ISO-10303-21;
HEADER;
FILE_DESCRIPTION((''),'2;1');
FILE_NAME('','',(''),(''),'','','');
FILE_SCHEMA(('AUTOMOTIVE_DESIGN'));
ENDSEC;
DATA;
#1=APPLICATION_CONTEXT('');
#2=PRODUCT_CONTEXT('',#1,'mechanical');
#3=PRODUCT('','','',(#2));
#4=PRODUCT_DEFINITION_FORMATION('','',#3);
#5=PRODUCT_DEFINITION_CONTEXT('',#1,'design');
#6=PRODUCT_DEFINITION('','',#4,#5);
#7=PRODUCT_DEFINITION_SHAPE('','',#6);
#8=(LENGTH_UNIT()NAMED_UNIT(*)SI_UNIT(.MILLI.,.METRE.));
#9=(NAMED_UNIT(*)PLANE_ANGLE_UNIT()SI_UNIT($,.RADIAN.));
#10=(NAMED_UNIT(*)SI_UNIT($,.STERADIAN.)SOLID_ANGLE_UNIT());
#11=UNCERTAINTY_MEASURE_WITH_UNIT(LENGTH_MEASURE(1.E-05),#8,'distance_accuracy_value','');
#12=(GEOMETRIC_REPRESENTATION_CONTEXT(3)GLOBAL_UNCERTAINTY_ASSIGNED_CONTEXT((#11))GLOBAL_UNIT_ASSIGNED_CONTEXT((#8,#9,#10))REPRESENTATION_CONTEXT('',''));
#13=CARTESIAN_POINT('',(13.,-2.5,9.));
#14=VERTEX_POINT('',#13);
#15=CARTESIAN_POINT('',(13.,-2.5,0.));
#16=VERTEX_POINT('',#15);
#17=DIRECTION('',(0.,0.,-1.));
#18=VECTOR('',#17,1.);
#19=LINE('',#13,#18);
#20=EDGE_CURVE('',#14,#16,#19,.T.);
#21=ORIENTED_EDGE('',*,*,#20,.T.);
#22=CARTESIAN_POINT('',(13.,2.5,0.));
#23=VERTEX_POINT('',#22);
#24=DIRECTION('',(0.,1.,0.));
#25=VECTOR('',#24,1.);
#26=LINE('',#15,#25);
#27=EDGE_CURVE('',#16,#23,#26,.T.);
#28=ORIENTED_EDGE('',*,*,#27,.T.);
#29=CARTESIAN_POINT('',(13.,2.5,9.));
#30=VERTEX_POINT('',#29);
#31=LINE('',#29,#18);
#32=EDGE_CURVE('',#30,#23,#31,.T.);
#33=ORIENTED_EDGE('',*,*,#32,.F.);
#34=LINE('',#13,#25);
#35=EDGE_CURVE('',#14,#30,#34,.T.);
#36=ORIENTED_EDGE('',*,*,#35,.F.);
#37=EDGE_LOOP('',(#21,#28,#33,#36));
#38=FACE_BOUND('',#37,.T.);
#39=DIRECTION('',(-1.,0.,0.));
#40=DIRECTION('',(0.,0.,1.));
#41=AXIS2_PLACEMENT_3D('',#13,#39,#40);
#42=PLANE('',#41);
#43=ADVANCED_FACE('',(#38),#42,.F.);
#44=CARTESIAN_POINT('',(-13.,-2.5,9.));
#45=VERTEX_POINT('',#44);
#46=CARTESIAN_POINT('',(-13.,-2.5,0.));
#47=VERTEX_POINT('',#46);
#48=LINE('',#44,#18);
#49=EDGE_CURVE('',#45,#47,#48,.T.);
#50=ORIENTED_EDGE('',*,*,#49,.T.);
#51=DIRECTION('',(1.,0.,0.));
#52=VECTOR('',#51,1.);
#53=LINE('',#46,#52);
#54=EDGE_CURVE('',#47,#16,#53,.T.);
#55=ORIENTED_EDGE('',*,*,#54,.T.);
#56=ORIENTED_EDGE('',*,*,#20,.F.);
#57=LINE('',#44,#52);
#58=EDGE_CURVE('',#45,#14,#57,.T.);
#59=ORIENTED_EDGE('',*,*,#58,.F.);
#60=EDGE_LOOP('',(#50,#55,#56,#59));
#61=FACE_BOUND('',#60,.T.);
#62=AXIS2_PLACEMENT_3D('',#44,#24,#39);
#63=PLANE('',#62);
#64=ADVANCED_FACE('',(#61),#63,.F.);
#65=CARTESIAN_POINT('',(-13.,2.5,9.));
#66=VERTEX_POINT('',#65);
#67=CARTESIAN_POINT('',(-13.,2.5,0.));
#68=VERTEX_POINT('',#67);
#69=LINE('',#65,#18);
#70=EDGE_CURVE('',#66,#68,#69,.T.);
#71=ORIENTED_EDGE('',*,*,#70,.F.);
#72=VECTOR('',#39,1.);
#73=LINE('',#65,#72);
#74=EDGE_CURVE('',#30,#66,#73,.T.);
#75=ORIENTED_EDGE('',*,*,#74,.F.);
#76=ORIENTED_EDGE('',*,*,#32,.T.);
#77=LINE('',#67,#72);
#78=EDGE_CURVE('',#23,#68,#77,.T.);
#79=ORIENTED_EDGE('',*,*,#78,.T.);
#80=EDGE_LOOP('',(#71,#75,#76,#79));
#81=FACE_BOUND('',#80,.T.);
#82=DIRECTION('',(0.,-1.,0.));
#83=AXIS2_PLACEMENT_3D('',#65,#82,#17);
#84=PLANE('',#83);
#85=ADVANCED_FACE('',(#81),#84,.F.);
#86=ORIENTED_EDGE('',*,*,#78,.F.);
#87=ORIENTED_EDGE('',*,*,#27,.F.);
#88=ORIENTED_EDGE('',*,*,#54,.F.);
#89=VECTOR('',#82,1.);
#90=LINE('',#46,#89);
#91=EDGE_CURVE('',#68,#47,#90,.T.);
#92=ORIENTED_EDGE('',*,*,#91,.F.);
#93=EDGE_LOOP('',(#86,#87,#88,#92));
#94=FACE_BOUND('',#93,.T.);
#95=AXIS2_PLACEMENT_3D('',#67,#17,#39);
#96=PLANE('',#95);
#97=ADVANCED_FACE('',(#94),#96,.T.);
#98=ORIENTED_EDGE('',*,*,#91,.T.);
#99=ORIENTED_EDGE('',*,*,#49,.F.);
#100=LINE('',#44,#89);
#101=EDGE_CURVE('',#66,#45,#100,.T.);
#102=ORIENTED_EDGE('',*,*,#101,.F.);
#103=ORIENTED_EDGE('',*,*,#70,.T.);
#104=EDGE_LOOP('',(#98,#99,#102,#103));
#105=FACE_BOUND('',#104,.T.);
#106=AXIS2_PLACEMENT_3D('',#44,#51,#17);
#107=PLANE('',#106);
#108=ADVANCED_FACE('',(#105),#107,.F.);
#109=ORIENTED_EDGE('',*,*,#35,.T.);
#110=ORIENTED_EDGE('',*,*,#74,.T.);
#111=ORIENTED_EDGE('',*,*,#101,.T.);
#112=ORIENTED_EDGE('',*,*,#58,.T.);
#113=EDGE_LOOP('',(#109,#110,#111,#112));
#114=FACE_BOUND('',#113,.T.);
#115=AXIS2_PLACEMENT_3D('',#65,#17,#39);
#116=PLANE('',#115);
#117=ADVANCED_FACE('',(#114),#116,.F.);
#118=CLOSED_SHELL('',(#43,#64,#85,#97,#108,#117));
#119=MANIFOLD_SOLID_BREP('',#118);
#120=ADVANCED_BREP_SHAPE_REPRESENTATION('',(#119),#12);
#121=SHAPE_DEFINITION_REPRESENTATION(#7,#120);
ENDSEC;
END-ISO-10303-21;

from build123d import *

# Parameters (mm, degrees)
ESQUISSE1_W      = 26
ESQUISSE1_H      = 5
EXTRUSION1_DEPTH = 9


with BuildPart() as part:
    # Esquisse1 → Extrusion1 (new body)
    with BuildSketch(Plane.XY):
        Rectangle(ESQUISSE1_W, ESQUISSE1_H)
    extrude(amount=EXTRUSION1_DEPTH)


solid = part.part
